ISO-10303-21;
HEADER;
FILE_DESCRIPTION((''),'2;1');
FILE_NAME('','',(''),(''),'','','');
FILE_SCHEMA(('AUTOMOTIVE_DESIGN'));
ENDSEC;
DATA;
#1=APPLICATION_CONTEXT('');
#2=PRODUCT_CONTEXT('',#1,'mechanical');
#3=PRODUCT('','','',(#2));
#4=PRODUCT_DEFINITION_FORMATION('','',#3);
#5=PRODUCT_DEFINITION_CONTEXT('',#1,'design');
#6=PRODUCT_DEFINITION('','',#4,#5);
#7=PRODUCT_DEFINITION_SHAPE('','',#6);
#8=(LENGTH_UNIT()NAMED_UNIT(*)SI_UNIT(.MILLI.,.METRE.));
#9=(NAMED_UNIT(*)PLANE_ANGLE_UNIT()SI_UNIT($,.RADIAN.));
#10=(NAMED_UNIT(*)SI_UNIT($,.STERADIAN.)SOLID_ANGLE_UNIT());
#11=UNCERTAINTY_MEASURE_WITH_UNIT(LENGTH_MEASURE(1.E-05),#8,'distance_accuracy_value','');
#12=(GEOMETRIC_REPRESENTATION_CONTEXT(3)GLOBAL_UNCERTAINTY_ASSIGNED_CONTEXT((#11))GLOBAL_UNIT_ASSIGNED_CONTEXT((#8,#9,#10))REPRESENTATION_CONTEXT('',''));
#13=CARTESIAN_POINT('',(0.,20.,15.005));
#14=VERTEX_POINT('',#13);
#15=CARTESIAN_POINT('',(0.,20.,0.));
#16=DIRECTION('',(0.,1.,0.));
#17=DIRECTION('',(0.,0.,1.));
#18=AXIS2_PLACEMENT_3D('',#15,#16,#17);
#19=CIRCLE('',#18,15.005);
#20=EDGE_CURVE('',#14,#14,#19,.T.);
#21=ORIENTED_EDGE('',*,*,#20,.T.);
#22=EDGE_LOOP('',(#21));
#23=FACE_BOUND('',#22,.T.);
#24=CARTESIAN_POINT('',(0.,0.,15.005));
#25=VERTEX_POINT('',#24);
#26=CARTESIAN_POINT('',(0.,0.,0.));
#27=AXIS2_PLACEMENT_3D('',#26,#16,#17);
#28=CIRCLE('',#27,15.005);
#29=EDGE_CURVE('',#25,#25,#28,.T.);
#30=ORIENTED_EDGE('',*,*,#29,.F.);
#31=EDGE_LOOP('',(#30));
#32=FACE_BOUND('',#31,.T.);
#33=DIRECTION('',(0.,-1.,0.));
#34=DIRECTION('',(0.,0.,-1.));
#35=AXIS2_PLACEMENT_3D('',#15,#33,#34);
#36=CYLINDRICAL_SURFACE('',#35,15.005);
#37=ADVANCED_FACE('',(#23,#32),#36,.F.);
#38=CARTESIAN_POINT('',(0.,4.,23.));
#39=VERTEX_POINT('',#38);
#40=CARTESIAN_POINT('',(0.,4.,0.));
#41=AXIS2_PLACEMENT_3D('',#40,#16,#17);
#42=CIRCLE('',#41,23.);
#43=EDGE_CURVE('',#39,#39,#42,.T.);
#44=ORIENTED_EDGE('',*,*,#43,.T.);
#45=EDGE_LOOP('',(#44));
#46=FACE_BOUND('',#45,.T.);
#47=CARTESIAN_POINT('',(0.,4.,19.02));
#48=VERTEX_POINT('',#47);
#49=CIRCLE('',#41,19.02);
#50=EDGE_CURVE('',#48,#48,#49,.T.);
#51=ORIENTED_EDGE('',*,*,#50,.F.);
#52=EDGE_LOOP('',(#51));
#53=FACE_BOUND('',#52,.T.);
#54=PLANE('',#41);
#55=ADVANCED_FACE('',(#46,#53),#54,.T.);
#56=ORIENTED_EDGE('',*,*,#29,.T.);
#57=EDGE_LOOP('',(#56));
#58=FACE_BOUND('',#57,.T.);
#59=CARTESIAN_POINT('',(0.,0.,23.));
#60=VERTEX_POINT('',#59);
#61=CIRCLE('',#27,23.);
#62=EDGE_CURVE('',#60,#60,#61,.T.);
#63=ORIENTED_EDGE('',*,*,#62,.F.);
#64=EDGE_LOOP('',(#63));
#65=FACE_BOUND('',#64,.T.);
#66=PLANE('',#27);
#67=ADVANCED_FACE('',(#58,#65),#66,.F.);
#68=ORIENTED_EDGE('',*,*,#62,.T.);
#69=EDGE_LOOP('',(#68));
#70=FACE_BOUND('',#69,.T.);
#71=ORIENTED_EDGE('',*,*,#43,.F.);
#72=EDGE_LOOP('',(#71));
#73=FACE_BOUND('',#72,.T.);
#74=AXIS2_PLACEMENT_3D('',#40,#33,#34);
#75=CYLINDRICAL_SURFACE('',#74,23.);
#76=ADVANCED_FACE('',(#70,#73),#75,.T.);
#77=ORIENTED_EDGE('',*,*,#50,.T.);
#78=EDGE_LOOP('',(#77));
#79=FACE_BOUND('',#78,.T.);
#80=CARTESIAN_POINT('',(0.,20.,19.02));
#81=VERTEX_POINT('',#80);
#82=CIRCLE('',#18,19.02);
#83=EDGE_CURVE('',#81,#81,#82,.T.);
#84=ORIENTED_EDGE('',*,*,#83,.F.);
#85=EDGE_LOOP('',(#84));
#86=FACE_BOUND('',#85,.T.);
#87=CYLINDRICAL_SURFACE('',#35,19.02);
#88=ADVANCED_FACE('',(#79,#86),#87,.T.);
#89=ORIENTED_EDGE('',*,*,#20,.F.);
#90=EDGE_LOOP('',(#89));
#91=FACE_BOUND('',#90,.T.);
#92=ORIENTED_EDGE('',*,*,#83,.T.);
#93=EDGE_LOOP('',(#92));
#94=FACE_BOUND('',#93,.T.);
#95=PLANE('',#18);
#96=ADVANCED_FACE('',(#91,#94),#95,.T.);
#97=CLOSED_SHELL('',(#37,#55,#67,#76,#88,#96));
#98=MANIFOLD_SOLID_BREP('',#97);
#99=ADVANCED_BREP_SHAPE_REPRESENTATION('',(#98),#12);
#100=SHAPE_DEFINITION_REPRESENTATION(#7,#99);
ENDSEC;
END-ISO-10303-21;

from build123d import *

# Parameters (mm, degrees)
SKETCH2_R           = 19.02
SKETCH2_R_2         = 15.005
BOSS_EXTRUDE1_DEPTH = 20
SKETCH3_R           = 23
SKETCH3_R_2         = 19.02
BOSS_EXTRUDE2_DEPTH = 4


with BuildPart() as part:
    # Sketch2 → Boss-Extrude1 (new body)
    with BuildSketch(Plane(origin=(0, 0, 0), x_dir=(1, 0, 0), z_dir=(0, 1, 0))):
        with Locations(Location((0, 0, 0), (0, 0, 270))):
            Circle(SKETCH2_R)
        with Locations(Location((0, 0, 0), (0, 0, 270))):
            Circle(SKETCH2_R_2, mode=Mode.SUBTRACT)
    extrude(amount=BOSS_EXTRUDE1_DEPTH)

    # Sketch3 → Boss-Extrude2 (add)
    with BuildSketch(Plane(origin=(0, 0, 0), x_dir=(1, 0, 0), z_dir=(0, 1, 0))):
        with Locations(Location((0, 0, 0), (0, 0, 270))):
            Circle(SKETCH3_R)
        with Locations(Location((0, 0, 0), (0, 0, 270))):
            Circle(SKETCH3_R_2, mode=Mode.SUBTRACT)
    extrude(amount=BOSS_EXTRUDE2_DEPTH)


solid = part.part
